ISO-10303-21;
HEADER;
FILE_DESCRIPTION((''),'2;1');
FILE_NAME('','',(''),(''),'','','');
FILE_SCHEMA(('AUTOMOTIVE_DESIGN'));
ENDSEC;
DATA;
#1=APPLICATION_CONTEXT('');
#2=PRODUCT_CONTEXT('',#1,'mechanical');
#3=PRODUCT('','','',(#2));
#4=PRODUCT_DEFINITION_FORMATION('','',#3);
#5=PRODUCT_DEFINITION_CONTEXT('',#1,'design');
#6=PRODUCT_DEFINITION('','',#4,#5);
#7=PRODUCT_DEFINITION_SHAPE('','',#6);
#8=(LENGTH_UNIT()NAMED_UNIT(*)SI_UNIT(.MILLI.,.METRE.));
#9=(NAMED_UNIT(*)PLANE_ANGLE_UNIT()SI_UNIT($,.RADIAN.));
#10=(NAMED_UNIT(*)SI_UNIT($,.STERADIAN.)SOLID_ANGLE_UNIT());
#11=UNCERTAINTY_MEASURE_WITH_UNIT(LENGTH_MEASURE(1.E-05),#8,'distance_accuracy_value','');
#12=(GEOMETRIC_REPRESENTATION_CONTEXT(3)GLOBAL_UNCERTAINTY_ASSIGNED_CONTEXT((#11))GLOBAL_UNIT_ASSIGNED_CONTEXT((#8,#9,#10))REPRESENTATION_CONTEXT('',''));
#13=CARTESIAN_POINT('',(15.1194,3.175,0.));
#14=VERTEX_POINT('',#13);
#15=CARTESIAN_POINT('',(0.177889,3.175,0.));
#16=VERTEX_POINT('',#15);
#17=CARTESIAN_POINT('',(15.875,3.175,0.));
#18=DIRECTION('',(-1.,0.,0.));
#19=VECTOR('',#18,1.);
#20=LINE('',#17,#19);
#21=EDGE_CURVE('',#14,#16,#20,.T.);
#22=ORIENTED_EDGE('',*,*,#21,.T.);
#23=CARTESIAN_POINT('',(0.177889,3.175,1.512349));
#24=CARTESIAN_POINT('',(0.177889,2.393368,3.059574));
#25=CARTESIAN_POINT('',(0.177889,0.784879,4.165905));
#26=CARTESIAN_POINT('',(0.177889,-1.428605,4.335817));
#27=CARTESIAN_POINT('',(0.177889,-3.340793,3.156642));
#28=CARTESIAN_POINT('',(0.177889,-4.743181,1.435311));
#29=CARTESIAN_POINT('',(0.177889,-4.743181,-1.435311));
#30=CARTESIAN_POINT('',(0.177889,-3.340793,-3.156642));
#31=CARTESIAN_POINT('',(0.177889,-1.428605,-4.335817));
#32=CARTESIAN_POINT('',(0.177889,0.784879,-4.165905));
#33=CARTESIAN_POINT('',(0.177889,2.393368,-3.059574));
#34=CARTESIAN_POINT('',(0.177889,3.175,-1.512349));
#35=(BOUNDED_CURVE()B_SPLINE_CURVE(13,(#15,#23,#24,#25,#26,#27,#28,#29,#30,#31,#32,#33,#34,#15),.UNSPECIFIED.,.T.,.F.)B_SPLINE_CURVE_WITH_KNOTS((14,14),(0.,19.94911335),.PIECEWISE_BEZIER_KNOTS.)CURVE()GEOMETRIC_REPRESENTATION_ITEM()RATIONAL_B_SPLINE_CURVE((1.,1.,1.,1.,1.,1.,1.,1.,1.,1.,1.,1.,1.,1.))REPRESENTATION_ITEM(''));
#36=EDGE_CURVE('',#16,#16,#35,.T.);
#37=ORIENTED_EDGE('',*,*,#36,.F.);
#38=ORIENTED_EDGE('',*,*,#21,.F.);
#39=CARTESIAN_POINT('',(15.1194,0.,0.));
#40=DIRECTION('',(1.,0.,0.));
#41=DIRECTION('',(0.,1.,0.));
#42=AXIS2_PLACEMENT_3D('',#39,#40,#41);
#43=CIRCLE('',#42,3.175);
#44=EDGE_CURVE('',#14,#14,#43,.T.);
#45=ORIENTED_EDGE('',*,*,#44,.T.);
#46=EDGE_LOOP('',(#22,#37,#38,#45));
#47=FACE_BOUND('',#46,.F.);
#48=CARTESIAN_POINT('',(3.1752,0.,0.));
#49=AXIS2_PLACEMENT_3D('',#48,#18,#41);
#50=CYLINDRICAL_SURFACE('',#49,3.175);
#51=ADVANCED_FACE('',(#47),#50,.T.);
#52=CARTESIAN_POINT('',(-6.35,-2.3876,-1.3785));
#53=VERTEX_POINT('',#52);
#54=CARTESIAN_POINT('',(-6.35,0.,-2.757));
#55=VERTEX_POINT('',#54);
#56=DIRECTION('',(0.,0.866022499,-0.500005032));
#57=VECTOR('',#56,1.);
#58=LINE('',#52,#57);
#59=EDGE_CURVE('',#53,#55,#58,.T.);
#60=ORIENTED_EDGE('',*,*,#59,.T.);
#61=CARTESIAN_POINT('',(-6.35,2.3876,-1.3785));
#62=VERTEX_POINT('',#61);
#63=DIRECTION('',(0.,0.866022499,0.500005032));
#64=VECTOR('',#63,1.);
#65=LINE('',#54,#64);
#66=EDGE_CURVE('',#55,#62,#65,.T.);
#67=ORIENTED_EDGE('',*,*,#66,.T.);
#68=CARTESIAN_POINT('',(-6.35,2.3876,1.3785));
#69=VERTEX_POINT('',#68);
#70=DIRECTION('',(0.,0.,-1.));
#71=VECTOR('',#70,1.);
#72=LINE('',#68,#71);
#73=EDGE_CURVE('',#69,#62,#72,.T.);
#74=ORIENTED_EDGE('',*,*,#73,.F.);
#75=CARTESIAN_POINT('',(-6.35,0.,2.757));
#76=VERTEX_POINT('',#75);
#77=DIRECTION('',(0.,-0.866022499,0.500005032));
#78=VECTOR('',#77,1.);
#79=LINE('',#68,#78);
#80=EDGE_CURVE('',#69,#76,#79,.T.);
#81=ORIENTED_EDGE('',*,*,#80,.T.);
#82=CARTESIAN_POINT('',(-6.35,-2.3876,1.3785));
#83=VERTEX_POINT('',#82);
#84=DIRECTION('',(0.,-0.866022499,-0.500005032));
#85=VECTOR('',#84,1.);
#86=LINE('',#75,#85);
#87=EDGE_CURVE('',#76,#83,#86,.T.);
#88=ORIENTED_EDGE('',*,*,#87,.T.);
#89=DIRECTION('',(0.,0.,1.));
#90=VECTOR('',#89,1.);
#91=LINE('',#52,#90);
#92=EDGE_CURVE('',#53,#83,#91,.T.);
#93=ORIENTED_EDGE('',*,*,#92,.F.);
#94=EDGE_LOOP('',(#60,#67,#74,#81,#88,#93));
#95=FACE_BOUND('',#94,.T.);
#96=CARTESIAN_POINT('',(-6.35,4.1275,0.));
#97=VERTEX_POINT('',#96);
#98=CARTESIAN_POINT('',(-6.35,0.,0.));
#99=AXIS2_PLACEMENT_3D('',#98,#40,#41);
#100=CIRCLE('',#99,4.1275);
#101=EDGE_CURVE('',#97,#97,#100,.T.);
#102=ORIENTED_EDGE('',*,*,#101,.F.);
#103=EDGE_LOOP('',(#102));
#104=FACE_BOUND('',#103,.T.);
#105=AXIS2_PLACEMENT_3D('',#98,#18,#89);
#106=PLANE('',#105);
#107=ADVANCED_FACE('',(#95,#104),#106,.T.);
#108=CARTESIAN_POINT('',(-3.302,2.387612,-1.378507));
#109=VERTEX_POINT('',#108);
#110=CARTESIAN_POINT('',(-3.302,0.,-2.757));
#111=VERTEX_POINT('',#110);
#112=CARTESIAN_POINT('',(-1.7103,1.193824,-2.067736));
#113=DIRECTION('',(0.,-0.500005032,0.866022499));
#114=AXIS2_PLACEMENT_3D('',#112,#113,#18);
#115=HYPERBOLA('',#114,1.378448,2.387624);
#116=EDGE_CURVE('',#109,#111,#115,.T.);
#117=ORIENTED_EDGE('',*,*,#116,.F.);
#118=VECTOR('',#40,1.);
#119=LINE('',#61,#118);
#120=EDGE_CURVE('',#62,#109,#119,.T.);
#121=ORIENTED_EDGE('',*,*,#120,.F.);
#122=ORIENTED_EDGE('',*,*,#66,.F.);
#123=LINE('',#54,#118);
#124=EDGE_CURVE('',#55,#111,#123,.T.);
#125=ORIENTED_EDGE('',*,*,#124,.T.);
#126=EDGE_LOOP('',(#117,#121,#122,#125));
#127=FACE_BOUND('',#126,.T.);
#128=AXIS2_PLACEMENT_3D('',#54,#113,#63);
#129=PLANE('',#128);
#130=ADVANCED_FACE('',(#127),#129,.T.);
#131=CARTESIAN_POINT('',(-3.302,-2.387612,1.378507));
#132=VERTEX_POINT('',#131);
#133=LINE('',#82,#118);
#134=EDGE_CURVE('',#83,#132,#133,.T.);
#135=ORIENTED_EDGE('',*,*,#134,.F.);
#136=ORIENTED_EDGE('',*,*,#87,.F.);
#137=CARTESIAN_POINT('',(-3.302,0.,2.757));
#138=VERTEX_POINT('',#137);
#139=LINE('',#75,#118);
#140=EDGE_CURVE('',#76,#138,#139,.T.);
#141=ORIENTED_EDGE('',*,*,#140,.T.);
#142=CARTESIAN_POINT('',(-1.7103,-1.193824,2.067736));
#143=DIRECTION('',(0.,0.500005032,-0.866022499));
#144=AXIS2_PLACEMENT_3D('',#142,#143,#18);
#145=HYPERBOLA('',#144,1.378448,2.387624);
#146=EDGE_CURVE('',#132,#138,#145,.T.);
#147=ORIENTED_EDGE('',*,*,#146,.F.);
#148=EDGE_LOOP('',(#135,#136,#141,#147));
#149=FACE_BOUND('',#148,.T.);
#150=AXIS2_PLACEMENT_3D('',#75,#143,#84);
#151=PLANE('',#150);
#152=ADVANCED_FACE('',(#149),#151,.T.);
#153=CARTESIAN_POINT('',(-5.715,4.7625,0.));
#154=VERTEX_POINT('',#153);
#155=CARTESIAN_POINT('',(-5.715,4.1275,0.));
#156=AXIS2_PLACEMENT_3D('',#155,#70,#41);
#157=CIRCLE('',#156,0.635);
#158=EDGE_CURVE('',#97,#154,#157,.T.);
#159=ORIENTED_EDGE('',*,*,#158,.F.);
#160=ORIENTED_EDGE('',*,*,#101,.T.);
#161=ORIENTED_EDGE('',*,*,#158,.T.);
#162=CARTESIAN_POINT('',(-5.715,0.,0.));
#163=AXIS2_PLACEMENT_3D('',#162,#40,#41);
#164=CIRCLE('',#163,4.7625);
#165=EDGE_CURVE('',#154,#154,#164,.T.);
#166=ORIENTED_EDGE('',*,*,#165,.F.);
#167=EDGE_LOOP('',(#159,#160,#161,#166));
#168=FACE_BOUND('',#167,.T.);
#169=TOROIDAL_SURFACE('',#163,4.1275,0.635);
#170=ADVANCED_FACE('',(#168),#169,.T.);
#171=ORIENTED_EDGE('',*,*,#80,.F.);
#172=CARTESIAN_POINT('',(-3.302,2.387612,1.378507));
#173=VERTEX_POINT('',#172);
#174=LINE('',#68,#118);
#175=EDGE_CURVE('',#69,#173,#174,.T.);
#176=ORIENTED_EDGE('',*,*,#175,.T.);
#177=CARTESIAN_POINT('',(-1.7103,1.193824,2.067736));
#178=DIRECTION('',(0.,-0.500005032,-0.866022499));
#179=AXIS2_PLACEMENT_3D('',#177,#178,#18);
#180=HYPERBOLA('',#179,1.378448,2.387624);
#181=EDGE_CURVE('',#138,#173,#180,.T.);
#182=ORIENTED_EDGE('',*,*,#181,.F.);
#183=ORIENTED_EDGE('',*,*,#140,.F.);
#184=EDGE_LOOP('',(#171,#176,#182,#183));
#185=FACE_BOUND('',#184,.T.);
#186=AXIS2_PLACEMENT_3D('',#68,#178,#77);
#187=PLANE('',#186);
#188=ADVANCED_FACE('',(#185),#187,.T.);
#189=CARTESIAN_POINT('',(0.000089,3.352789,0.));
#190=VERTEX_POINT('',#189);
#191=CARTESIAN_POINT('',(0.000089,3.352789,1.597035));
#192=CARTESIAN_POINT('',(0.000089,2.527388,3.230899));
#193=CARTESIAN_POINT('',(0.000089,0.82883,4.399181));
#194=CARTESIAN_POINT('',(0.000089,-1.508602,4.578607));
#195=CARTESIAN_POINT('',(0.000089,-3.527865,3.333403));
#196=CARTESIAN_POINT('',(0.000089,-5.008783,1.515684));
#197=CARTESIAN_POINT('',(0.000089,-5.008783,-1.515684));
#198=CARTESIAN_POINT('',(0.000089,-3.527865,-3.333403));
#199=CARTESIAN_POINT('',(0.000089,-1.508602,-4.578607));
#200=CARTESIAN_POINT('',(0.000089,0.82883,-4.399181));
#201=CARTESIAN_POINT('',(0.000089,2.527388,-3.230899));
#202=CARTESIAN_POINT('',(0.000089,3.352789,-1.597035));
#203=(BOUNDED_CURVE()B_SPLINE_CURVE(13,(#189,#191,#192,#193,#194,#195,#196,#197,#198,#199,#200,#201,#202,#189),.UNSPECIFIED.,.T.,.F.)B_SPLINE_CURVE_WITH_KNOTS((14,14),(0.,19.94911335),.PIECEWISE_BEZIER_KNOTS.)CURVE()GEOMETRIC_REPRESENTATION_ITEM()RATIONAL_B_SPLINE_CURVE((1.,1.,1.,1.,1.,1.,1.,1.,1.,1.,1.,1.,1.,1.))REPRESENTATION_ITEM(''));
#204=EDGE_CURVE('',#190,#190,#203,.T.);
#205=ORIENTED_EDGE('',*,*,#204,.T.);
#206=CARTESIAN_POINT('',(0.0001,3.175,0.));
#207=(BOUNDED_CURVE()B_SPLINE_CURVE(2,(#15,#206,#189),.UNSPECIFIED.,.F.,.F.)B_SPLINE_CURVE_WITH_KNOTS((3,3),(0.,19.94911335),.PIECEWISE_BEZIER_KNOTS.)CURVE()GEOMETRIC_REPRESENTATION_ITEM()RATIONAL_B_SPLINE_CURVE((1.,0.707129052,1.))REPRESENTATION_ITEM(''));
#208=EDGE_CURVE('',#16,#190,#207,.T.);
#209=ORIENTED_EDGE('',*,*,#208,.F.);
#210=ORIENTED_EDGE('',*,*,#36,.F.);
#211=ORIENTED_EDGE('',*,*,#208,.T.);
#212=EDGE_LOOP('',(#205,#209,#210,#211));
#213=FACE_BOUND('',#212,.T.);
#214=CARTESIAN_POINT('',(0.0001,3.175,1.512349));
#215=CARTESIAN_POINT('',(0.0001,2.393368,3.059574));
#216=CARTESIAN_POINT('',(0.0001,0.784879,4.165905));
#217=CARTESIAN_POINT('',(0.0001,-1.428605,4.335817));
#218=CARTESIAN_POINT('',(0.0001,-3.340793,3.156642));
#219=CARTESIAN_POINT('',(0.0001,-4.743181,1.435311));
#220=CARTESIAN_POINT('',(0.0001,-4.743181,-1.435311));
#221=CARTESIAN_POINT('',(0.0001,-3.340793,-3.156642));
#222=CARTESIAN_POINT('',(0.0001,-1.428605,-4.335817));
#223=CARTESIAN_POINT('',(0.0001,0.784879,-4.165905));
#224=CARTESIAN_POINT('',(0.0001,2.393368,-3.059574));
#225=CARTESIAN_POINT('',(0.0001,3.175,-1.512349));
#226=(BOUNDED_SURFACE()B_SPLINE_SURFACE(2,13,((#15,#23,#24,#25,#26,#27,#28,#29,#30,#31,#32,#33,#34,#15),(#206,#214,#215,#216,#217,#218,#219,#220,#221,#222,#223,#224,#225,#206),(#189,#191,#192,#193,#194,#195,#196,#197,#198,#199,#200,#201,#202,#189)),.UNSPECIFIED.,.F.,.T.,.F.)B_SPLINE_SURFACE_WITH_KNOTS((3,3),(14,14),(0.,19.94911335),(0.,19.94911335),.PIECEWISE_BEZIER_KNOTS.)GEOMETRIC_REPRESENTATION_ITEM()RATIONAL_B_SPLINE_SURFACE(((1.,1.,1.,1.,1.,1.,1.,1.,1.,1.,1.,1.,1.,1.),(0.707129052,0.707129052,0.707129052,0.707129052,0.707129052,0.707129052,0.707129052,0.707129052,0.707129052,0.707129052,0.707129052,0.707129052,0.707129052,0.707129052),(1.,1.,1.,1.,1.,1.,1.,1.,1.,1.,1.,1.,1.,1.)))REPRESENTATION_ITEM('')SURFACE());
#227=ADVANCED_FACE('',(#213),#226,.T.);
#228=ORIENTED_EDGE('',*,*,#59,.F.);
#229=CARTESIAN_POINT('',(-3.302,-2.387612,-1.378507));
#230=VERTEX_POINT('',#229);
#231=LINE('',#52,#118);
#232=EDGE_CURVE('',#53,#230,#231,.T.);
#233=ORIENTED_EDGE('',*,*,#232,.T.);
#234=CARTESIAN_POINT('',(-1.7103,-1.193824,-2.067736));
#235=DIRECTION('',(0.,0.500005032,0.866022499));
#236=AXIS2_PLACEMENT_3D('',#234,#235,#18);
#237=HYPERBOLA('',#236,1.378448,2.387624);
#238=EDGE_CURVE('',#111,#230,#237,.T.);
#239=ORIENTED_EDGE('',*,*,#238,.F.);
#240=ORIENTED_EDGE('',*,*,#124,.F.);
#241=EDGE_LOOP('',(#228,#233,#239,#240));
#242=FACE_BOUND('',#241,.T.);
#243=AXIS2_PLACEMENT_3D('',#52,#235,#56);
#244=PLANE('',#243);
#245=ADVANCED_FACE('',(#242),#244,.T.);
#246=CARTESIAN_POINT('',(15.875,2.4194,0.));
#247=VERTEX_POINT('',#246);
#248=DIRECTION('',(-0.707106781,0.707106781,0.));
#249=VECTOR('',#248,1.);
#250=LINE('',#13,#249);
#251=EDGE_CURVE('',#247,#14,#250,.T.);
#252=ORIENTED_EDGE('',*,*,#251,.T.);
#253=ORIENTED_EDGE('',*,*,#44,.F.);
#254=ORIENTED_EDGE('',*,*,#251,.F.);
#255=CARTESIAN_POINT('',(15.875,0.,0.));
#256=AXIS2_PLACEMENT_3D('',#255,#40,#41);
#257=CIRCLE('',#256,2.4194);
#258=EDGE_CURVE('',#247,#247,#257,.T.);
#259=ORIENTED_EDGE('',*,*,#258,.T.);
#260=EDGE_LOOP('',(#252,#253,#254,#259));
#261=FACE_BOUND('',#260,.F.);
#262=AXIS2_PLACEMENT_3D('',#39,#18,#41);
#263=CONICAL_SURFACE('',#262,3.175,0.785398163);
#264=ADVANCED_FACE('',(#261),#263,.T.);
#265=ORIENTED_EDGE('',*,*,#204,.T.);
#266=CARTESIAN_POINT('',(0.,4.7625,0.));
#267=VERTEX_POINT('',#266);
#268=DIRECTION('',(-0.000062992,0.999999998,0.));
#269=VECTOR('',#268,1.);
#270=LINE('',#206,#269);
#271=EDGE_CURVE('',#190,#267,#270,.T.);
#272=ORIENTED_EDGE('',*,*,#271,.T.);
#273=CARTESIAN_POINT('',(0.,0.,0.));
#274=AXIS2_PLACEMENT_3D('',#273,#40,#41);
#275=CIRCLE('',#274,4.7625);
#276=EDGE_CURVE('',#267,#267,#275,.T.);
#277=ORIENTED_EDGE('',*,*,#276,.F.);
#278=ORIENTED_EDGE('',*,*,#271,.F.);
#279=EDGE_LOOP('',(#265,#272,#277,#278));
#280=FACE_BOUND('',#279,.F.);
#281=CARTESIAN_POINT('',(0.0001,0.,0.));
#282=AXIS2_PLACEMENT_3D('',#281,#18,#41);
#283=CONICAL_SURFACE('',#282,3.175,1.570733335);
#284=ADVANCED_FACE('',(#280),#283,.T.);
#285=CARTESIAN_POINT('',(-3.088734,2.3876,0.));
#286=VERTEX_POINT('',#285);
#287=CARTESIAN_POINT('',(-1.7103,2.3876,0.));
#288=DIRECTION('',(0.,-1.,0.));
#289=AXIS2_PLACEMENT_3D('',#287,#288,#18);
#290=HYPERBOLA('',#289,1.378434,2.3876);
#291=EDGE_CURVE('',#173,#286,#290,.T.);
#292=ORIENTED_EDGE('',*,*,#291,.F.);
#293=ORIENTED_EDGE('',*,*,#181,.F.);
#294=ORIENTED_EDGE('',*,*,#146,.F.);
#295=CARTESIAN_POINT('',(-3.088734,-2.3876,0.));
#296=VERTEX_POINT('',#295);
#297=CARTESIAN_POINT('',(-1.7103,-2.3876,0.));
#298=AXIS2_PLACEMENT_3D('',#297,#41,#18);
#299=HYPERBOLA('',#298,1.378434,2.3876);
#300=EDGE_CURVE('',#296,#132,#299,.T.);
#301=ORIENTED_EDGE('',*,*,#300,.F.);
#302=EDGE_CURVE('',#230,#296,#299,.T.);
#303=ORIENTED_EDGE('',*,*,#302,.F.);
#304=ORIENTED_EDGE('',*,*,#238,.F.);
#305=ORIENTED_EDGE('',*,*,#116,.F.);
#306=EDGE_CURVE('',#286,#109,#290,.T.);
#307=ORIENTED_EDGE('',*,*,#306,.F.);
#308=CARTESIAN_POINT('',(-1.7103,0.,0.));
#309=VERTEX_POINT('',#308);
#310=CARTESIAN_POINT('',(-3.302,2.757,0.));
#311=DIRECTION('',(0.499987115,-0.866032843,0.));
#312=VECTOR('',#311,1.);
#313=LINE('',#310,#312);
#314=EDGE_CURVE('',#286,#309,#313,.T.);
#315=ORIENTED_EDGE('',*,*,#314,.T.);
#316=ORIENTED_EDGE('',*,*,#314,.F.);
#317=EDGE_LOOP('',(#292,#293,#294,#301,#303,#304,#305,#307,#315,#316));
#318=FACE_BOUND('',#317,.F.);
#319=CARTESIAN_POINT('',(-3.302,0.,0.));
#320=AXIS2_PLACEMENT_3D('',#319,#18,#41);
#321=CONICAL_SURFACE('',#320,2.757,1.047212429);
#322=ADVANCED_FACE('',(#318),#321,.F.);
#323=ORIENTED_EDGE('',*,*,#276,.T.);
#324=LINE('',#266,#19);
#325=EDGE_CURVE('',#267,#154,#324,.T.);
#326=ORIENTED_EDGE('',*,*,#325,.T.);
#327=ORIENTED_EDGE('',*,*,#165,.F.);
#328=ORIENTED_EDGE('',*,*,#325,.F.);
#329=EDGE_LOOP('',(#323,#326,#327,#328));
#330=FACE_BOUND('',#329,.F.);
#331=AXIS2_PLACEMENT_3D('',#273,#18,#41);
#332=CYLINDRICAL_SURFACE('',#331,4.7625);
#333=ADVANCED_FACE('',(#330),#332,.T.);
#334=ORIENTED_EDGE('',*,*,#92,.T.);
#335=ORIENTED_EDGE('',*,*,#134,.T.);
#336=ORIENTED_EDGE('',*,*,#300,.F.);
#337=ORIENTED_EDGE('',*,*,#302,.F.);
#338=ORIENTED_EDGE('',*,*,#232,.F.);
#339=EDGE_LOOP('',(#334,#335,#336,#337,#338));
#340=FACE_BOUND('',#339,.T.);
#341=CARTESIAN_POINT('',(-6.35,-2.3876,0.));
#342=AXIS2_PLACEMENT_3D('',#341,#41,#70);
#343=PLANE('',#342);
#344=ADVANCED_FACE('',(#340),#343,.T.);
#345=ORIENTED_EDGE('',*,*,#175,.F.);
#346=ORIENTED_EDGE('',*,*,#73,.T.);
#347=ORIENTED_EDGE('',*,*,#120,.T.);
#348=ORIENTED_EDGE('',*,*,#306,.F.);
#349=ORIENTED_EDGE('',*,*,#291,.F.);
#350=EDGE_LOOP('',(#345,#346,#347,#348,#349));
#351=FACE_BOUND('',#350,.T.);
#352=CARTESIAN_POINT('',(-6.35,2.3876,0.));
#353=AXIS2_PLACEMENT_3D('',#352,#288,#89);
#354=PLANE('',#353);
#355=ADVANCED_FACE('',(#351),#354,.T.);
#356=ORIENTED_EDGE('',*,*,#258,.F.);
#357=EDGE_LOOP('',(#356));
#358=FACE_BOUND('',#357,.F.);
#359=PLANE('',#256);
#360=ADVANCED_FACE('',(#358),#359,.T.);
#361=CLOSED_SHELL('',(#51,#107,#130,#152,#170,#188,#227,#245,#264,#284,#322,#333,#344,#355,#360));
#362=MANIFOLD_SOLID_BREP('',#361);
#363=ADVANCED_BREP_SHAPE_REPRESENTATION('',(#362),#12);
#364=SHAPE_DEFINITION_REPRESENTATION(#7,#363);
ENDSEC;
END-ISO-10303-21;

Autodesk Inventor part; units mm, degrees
ref_plane "YZ Plane" through (0, 0, 0) normal (1, 0, 0) x (0, 1, 0)
ref_plane "XZ Plane" through (0, 0, 0) normal (0, 1, 0) x (-1, 0, 0)
sketch "Sketch1" plane through (0, 0, 0) normal (0, 0, 1) x (1, 0, 0)
  line L0 (-1.7103, 0) -> (15.875, 0)
  line L1 (15.875, 0) -> (15.875, 3.175)
  line L2 (15.875, 3.175) -> (3.1752, 3.175)
  line L3 (3.1752, 3.175) -> (0.0001, 3.175)
  line L4 (0.0001, 3.175) -> (0, 3.175)
  line L5 (0, 3.175) -> (0, 4.7625)
  line L6 (0, 4.7625) -> (-6.35, 4.7625)
  line L7 (-6.35, 4.7625) -> (-6.35, 2.757)
  line L8 (-6.35, 2.757) -> (-3.302, 2.757)
  line L9 (-3.302, 2.757) -> (-1.7103, 0)
  line L10 (-10.795, 0) -> (20.32, 0) projected
  line L11 (0, -0.9525) -> (0, 5.715) projected
  line L12 (3.1752, 3.175) -> (0, 3.175) construction
  dimension "d1" = 12.6998
  dimension "d2" = 3.1751
  dimension "d3" = 6.35
  dimension "d4" = 3.048
  dimension "d5" = 60
  dimension "d6" = 6.35
  dimension "d7" = 6.35
  dimension "d8" = 5.5139
  dimension "d9" = 9.525
  dimension "d26" = 15.875
revolve "Body" add sketch "Sketch1" angle 360 about axis through (-1.7103, 0, 0) along (1, 0, 0)
sketch "Sketch2" plane through (-6.35, 0, 0) normal (-1, 0, 0) x (0, 0, 1)
  circle A0 centre (0, 0) radius 2.757 projected
  line L0 (0, -6.6675) -> (0, 6.6675) projected
  line L1 (-6.6675, 0) -> (6.6675, 0) projected
  line L2 (2.757, 0) -> (1.3785, -2.3876)
  line L3 (1.3785, -2.3876) -> (-1.3785, -2.3876)
  line L4 (-1.3785, -2.3876) -> (-2.757, 0)
  line L5 (-2.757, 0) -> (-1.3785, 2.3876)
  line L6 (-1.3785, 2.3876) -> (1.3785, 2.3876)
  line L7 (1.3785, 2.3876) -> (2.757, 0)
extrude "Slot" add sketch "Sketch2" against normal up to next contours L7 A0 | A0 L2 | L6 L0 A0 | A0 L0 L3 | L0 L6 A0 | A0 L3 L0 | L4 A0 | A0 L5
fillet "Fillet1" radius 0.635 1 edges at (-6.35, -4.7625, 0)
thread "Thread" size "1/4-20 UNC" class "2A" standard "ANSI Unified Screw Threads" length 12.6998
chamfer "Chamfer1" distance 0.7556 distance2 0.7556 1 edges at (15.875, -3.175, 0) measured on face at (15.875, 0.0983, -0.8099)
ref_plane "Work Plane1" through (29, 0, 0) normal (0, -1, 0) x (1, 0, 0)
fillet "Fillet2" radius 0.1778 1 edges at (0.0001, -3.175, 0)
equation "\"d30\" = R"
equation "\"d17\" = RR"
equation "\"d13\" = GEL"
equation "\"d15\" = -0.5 * SPD + 0.5 * GD"
equation "\"d16\" = GUL"
equation "\"d1\" = GEL"
equation "\"d3\" = KOH"
equation "\"d4\" = INTI"
equation "\"d6\" = GD"
equation "\"d7\" = BDM"
equation "\"d8\" = 1.1547 * SW"
equation "\"d9\" = KOD"
equation "\"d26\" = NLG"
equation "\"GD\" = 6.35"
equation "\"NLG\" = 15.875"
equation "\"GEL\" = 12.6998"
equation "\"KOD\" = 9.525"
equation "\"KOH\" = 6.35"
equation "\"INTI\" = 3.048"
equation "\"GAL\" = 3.175"
equation "\"GUL\" = 0.75565"
equation "\"BDM\" = 6.35"
equation "\"SW\" = 4.7752"
equation "\"RR\" = 0.635"
equation "\"SPD\" = 4.8387"
equation "\"R\" = 0.1778"
equation "\"PHH\" = 0.2032"
equation "\"GD1\" = SPD"
equation "\"THREADDIA\" = 6.35"
equation "\"FAWI\" = 45deg"
equation "\"KOH1\" = 5.715"
equation "\"NND\" = 6.35"
equation "\"TOA\" = 30deg"
equation "\"E0\" = 1.155 * SW"
properties part number "ANSI B18.3 - 1/4 - 20 UNC - 5/8 HS HCS" material "Steel, Mild"
